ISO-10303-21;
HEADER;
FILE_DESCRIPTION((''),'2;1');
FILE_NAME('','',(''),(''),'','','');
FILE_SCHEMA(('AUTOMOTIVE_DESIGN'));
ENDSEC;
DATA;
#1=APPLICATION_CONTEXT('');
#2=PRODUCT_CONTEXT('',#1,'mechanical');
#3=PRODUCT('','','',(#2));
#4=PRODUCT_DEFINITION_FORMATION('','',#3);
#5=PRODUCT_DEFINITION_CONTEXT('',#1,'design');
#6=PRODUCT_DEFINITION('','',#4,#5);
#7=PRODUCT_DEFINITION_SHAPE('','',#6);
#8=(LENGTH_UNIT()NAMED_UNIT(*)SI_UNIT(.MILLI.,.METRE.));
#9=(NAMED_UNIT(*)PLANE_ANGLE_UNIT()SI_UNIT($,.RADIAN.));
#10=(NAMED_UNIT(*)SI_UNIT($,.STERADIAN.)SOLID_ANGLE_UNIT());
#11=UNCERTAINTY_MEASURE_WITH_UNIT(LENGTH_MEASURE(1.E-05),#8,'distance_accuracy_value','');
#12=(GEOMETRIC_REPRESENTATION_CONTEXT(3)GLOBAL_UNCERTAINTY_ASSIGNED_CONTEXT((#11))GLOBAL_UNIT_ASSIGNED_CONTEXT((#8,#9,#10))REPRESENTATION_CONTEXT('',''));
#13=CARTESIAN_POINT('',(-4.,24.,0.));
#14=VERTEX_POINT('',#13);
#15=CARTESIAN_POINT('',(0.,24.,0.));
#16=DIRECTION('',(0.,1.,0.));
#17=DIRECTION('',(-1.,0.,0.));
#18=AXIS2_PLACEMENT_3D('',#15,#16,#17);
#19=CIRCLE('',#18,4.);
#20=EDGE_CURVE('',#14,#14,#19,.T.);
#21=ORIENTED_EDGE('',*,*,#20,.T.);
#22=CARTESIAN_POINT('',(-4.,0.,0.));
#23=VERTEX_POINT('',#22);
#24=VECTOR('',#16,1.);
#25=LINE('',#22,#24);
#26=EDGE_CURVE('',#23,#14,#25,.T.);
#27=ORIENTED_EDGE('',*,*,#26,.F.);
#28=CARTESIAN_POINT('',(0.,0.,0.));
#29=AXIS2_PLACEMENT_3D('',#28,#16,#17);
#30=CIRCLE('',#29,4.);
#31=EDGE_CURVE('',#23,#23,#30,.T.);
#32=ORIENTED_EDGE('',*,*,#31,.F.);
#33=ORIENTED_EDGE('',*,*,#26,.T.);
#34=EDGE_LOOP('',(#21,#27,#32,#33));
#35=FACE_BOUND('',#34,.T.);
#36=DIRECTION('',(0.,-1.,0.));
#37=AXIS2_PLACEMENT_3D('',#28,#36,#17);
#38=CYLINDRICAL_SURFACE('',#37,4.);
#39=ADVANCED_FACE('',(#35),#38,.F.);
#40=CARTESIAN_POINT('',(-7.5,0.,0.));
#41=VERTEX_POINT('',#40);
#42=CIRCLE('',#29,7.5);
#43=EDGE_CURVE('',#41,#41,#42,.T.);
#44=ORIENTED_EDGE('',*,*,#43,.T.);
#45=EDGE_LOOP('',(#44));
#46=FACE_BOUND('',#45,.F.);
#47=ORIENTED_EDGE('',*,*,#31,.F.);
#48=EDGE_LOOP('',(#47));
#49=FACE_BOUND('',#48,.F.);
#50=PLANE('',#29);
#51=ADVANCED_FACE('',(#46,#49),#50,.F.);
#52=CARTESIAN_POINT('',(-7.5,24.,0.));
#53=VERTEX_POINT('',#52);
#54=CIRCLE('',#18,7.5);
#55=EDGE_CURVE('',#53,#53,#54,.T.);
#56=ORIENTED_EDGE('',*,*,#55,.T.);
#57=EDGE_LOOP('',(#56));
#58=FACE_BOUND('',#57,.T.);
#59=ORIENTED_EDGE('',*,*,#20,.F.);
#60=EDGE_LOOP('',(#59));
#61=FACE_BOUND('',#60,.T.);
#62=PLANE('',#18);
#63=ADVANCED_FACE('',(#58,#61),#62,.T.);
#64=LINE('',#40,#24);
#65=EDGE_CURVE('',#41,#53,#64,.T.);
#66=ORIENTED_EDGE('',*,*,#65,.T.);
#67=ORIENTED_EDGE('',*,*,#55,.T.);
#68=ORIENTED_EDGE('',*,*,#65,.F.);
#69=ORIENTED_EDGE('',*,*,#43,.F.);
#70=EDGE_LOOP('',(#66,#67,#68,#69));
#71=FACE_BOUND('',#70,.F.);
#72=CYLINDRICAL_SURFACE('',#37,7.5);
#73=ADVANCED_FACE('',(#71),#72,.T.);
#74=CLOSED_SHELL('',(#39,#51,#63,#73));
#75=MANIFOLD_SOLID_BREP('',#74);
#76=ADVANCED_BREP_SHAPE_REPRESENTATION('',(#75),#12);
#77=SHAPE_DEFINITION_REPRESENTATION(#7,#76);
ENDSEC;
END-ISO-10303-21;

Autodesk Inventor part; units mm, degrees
ref_plane "YZ Plane" through (0, 0, 0) normal (1, 0, 0) x (0, 1, 0)
ref_plane "XZ Plane" through (0, 0, 0) normal (0, 1, 0) x (-1, 0, 0)
ref_plane "XY Plane" through (0, 0, 0) normal (0, 0, 1) x (1, 0, 0)
sketch "Sketch1" plane through (0, 0, 0) normal (0, 1, 0) x (-1, 0, 0)
  circle A0 centre (0, 0) radius 4
  circle A1 centre (0, 0) radius 7.5
  dimension "d0" = 8
  dimension "d1" = 15
extrude "Extrusion1" add sketch "Sketch1" along normal blind 24
properties part number "LinearBearing_V1" material "Steel, Alloy"
